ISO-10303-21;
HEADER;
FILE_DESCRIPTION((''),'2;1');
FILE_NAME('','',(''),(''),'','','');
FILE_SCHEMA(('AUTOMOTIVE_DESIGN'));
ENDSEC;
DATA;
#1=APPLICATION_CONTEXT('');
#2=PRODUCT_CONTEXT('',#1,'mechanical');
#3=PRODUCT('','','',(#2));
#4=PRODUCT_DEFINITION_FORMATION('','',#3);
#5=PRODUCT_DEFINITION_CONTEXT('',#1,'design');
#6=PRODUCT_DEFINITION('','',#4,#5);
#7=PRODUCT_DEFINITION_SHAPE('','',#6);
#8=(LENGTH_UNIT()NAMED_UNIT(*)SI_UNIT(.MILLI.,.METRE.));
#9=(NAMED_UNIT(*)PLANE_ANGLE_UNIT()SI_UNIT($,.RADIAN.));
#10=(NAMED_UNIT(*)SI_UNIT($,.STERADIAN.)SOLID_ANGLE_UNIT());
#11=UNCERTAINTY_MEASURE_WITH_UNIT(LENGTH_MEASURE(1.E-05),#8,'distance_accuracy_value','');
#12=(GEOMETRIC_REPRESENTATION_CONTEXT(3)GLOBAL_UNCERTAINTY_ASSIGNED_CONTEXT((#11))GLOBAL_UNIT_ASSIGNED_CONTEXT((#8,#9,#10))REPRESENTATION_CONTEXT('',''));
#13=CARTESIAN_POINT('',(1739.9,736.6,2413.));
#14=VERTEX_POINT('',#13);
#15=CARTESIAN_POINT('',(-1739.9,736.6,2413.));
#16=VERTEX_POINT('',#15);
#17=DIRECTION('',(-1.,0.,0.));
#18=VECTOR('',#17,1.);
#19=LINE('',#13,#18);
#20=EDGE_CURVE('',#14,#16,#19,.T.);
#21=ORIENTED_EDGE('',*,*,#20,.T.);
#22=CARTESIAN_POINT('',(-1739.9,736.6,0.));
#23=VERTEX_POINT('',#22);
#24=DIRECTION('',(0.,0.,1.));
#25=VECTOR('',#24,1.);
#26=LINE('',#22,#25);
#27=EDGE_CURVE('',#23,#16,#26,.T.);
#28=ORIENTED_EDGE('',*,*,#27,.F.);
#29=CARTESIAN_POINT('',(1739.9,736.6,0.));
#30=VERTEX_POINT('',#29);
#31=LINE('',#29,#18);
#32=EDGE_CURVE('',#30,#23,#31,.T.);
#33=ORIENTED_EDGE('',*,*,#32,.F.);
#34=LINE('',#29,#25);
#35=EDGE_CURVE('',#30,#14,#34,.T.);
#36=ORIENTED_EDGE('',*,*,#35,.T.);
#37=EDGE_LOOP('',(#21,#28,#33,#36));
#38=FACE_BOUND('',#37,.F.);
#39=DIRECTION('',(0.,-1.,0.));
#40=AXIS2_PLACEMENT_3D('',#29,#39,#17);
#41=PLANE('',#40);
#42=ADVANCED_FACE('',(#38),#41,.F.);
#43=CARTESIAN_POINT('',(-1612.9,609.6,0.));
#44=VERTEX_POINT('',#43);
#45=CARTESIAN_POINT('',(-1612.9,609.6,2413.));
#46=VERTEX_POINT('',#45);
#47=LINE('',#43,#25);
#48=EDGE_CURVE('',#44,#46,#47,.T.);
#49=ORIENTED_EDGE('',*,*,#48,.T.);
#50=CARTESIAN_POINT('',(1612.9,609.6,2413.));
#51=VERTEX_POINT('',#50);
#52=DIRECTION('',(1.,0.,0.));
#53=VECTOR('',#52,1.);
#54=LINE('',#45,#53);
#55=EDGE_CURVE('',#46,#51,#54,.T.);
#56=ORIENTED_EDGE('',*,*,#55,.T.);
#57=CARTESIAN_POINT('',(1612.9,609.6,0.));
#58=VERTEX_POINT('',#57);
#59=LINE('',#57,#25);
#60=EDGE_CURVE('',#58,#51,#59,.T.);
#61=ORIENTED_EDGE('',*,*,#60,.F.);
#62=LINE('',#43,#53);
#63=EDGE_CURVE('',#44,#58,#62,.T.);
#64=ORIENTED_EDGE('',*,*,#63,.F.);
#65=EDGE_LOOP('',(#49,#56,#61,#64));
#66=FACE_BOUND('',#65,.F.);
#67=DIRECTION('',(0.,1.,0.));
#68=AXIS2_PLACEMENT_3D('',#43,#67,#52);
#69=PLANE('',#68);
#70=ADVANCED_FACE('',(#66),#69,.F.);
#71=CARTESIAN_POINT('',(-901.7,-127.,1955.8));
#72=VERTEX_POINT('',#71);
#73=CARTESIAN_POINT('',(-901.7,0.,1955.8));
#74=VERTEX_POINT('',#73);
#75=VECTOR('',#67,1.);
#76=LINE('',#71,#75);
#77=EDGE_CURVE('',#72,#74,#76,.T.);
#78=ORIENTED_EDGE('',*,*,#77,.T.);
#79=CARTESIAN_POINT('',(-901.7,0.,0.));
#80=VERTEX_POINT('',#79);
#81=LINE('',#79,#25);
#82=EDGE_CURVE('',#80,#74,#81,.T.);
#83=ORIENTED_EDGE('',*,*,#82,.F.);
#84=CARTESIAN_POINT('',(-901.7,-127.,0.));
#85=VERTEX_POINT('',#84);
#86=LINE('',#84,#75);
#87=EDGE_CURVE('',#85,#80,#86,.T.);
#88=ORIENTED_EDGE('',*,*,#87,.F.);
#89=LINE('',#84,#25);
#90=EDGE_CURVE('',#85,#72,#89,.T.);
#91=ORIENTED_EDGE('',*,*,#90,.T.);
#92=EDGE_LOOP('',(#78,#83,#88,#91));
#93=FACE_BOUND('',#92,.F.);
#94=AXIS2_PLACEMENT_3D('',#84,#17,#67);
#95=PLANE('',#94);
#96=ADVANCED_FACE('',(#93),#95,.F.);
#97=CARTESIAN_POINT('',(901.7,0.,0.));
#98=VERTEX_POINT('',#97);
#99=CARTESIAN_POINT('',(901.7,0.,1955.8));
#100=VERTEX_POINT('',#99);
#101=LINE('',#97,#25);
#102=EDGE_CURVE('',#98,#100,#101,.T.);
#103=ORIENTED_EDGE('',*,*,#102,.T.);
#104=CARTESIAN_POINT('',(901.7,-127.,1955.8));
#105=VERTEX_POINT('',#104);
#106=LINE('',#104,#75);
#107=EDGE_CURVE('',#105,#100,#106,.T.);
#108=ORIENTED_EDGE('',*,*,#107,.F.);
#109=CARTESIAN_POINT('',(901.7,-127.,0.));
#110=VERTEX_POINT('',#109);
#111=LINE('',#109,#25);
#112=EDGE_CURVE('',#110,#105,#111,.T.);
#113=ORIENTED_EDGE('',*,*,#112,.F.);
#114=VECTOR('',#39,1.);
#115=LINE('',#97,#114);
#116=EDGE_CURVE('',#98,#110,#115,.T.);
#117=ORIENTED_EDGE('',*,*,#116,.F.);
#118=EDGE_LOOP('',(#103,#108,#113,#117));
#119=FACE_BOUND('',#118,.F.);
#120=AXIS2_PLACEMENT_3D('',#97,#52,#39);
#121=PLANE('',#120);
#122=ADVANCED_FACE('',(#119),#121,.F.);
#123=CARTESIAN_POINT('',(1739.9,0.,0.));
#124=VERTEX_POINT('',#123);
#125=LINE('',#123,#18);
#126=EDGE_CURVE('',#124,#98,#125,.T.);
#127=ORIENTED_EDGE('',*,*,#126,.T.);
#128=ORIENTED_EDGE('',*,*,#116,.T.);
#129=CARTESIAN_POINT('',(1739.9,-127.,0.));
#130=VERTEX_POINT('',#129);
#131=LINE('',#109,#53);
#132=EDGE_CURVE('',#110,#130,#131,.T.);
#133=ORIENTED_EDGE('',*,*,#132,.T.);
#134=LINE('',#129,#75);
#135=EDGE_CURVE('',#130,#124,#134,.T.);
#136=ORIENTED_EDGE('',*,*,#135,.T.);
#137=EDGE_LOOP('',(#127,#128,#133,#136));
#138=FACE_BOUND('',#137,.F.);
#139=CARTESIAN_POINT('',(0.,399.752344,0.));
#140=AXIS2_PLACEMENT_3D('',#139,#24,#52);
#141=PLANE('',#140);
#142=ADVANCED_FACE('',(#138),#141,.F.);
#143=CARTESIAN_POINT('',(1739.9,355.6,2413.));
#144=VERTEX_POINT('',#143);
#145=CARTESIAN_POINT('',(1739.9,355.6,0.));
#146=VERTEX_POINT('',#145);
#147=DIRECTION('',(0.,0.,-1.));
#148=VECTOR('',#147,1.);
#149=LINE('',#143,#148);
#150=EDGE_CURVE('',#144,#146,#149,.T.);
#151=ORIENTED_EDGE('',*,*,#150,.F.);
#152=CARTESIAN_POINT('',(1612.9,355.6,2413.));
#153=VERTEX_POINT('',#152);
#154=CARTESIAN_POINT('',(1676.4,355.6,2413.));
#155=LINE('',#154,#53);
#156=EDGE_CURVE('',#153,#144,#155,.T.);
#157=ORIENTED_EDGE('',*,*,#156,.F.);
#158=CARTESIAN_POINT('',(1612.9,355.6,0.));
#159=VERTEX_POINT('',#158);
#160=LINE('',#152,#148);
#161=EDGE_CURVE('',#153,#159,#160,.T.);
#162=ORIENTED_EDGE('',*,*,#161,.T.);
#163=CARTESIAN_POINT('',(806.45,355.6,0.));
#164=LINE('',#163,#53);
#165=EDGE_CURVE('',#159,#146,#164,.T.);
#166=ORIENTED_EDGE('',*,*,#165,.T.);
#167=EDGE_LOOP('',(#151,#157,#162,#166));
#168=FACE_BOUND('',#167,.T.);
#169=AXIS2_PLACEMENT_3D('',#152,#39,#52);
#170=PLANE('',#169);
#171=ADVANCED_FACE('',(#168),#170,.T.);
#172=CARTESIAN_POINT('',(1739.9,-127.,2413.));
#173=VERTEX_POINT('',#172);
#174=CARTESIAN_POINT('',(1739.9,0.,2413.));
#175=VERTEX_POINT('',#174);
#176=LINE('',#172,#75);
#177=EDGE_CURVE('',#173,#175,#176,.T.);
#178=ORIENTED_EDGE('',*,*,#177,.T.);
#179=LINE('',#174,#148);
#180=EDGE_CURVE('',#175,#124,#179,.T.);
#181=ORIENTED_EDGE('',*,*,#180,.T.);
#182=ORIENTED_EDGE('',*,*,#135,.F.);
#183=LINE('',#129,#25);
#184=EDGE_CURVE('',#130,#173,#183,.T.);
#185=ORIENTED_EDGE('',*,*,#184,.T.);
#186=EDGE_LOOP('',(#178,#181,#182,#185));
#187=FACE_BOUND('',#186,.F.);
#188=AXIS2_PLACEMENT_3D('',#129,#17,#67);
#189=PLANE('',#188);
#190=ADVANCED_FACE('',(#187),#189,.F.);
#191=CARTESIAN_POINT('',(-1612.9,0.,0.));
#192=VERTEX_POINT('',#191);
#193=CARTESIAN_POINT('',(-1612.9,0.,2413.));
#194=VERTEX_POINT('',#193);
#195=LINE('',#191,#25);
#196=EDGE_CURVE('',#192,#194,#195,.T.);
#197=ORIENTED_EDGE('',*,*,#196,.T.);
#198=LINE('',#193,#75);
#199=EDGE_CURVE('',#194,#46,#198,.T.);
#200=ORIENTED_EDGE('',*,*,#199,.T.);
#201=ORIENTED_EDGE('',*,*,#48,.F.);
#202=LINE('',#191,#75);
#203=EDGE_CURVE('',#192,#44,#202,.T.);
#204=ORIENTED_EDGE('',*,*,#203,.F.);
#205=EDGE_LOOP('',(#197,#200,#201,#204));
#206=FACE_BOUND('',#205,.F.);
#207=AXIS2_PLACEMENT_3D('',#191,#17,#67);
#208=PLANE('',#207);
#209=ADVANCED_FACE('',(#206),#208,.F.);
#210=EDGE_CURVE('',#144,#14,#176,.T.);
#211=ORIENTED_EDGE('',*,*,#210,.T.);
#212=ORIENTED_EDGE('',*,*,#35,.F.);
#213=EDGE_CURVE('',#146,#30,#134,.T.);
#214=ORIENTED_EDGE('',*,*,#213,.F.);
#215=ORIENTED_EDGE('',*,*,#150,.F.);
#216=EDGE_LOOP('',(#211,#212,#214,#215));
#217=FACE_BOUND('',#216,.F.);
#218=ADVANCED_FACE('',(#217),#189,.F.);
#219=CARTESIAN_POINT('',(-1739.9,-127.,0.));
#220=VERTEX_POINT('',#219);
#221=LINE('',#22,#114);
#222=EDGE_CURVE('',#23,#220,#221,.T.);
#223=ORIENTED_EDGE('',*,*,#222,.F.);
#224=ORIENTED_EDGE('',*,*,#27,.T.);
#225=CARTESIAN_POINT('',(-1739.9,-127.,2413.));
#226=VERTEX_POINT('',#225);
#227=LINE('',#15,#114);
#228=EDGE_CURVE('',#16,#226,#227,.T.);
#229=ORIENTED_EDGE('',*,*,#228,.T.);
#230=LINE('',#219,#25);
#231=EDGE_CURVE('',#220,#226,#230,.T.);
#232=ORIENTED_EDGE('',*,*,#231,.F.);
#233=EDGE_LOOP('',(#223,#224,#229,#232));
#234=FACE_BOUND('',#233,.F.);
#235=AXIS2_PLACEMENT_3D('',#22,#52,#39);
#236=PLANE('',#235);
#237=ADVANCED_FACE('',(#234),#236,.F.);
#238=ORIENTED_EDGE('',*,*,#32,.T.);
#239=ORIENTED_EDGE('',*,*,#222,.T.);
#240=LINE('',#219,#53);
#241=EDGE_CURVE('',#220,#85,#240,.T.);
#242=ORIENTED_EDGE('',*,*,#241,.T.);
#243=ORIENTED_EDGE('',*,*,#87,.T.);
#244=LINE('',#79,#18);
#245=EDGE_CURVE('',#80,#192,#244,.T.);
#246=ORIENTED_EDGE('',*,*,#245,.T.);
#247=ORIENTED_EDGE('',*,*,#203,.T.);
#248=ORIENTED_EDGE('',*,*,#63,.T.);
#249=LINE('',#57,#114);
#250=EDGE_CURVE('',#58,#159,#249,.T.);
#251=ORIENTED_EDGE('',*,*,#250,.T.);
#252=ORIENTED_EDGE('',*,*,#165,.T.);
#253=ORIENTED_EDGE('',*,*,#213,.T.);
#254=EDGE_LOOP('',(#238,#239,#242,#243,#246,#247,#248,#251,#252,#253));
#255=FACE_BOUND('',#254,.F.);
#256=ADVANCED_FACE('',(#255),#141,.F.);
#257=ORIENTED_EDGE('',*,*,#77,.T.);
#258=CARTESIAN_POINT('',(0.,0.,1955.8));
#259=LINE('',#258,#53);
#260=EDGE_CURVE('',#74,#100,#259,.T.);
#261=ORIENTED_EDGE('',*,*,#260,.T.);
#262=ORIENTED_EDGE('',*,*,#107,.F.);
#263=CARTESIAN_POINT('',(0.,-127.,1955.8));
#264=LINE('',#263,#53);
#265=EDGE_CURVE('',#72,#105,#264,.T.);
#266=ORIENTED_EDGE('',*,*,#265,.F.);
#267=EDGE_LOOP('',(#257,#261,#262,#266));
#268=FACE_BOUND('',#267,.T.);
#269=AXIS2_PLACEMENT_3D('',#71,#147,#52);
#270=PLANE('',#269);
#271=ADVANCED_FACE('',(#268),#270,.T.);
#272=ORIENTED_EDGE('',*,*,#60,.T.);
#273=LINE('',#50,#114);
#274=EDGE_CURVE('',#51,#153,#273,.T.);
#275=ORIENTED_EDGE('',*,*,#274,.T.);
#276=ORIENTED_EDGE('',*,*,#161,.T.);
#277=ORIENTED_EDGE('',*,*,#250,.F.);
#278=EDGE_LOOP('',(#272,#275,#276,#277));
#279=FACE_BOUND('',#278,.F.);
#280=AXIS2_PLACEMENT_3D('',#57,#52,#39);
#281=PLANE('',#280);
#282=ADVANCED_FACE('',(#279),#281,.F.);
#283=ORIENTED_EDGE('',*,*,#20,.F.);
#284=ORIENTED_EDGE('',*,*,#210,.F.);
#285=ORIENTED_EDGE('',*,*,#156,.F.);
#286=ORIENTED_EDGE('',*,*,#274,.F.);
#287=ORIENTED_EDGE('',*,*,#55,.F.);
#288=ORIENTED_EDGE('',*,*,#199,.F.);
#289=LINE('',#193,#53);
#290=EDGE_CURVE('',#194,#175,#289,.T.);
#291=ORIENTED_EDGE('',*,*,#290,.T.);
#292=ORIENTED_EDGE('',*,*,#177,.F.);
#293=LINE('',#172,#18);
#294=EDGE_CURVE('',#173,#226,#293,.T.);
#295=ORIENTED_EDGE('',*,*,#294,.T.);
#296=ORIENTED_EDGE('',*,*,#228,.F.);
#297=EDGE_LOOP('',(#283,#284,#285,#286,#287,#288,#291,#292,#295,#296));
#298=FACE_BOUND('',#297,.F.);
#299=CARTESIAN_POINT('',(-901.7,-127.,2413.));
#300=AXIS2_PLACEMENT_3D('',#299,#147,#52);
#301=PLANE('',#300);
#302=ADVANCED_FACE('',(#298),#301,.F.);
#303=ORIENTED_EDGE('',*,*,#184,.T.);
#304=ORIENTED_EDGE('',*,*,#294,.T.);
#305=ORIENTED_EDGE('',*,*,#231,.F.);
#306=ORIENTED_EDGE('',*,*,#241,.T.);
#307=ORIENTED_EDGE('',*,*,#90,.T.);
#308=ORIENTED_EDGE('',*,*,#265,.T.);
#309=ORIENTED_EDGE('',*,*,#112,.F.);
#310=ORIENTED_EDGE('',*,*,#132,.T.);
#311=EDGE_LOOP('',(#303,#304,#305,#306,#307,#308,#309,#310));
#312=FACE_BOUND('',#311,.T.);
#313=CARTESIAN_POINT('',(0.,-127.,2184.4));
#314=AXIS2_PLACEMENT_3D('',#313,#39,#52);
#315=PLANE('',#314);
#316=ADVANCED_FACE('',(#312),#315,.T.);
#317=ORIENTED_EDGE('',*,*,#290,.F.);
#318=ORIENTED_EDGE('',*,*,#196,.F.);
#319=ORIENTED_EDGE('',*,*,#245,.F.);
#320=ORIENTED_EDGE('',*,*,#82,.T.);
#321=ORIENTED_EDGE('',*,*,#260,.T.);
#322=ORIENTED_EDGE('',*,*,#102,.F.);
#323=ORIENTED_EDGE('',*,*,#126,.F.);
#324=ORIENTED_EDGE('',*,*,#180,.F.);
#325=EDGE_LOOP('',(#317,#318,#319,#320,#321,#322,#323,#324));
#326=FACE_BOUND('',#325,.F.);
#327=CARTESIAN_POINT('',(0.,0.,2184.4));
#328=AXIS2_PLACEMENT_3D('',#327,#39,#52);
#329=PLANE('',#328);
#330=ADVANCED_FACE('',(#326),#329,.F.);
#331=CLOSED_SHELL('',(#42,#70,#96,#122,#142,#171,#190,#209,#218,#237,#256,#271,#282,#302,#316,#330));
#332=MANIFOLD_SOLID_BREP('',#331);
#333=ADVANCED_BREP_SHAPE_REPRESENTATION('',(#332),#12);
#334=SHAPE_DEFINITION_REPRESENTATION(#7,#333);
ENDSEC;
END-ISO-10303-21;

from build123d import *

# Parameters (mm, degrees)
F1_DEPTH = 2413
F2_W     = 1803.4
F2_H     = 457.2
F3_DEPTH = 127
F4_W     = 127
F4_H     = 355.6
F5_DEPTH = 2413.001


with BuildPart() as f1:
    # F0 (on Top) → F1 (new body)
    with BuildSketch(Plane.XY):
        Polygon((-1739.9, 736.6), (-1739.9, -127), (-901.7, -127), (-901.7, 0), (-1612.9, 0), (-1612.9, 609.6), (1612.9, 609.6), (1612.9, 0), (901.7, 0), (901.7, -127), (1739.9, -127), (1739.9, 736.6), align=None)
    extrude(amount=F1_DEPTH)

    # F2 (on face) → F3 (join, through all)
    with BuildSketch(Plane.XZ.offset(127)):
        with Locations((0, 2184.4)):
            Rectangle(F2_W, F2_H)
    extrude(amount=-F3_DEPTH)

    # F4 (on face) → F5 (cut, through all)
    with BuildSketch(Plane.XY.offset(2413)):
        with Locations((1676.4, 177.8)):
            Rectangle(F4_W, F4_H)
    extrude(amount=-F5_DEPTH, mode=Mode.SUBTRACT)


solid = f1.part
